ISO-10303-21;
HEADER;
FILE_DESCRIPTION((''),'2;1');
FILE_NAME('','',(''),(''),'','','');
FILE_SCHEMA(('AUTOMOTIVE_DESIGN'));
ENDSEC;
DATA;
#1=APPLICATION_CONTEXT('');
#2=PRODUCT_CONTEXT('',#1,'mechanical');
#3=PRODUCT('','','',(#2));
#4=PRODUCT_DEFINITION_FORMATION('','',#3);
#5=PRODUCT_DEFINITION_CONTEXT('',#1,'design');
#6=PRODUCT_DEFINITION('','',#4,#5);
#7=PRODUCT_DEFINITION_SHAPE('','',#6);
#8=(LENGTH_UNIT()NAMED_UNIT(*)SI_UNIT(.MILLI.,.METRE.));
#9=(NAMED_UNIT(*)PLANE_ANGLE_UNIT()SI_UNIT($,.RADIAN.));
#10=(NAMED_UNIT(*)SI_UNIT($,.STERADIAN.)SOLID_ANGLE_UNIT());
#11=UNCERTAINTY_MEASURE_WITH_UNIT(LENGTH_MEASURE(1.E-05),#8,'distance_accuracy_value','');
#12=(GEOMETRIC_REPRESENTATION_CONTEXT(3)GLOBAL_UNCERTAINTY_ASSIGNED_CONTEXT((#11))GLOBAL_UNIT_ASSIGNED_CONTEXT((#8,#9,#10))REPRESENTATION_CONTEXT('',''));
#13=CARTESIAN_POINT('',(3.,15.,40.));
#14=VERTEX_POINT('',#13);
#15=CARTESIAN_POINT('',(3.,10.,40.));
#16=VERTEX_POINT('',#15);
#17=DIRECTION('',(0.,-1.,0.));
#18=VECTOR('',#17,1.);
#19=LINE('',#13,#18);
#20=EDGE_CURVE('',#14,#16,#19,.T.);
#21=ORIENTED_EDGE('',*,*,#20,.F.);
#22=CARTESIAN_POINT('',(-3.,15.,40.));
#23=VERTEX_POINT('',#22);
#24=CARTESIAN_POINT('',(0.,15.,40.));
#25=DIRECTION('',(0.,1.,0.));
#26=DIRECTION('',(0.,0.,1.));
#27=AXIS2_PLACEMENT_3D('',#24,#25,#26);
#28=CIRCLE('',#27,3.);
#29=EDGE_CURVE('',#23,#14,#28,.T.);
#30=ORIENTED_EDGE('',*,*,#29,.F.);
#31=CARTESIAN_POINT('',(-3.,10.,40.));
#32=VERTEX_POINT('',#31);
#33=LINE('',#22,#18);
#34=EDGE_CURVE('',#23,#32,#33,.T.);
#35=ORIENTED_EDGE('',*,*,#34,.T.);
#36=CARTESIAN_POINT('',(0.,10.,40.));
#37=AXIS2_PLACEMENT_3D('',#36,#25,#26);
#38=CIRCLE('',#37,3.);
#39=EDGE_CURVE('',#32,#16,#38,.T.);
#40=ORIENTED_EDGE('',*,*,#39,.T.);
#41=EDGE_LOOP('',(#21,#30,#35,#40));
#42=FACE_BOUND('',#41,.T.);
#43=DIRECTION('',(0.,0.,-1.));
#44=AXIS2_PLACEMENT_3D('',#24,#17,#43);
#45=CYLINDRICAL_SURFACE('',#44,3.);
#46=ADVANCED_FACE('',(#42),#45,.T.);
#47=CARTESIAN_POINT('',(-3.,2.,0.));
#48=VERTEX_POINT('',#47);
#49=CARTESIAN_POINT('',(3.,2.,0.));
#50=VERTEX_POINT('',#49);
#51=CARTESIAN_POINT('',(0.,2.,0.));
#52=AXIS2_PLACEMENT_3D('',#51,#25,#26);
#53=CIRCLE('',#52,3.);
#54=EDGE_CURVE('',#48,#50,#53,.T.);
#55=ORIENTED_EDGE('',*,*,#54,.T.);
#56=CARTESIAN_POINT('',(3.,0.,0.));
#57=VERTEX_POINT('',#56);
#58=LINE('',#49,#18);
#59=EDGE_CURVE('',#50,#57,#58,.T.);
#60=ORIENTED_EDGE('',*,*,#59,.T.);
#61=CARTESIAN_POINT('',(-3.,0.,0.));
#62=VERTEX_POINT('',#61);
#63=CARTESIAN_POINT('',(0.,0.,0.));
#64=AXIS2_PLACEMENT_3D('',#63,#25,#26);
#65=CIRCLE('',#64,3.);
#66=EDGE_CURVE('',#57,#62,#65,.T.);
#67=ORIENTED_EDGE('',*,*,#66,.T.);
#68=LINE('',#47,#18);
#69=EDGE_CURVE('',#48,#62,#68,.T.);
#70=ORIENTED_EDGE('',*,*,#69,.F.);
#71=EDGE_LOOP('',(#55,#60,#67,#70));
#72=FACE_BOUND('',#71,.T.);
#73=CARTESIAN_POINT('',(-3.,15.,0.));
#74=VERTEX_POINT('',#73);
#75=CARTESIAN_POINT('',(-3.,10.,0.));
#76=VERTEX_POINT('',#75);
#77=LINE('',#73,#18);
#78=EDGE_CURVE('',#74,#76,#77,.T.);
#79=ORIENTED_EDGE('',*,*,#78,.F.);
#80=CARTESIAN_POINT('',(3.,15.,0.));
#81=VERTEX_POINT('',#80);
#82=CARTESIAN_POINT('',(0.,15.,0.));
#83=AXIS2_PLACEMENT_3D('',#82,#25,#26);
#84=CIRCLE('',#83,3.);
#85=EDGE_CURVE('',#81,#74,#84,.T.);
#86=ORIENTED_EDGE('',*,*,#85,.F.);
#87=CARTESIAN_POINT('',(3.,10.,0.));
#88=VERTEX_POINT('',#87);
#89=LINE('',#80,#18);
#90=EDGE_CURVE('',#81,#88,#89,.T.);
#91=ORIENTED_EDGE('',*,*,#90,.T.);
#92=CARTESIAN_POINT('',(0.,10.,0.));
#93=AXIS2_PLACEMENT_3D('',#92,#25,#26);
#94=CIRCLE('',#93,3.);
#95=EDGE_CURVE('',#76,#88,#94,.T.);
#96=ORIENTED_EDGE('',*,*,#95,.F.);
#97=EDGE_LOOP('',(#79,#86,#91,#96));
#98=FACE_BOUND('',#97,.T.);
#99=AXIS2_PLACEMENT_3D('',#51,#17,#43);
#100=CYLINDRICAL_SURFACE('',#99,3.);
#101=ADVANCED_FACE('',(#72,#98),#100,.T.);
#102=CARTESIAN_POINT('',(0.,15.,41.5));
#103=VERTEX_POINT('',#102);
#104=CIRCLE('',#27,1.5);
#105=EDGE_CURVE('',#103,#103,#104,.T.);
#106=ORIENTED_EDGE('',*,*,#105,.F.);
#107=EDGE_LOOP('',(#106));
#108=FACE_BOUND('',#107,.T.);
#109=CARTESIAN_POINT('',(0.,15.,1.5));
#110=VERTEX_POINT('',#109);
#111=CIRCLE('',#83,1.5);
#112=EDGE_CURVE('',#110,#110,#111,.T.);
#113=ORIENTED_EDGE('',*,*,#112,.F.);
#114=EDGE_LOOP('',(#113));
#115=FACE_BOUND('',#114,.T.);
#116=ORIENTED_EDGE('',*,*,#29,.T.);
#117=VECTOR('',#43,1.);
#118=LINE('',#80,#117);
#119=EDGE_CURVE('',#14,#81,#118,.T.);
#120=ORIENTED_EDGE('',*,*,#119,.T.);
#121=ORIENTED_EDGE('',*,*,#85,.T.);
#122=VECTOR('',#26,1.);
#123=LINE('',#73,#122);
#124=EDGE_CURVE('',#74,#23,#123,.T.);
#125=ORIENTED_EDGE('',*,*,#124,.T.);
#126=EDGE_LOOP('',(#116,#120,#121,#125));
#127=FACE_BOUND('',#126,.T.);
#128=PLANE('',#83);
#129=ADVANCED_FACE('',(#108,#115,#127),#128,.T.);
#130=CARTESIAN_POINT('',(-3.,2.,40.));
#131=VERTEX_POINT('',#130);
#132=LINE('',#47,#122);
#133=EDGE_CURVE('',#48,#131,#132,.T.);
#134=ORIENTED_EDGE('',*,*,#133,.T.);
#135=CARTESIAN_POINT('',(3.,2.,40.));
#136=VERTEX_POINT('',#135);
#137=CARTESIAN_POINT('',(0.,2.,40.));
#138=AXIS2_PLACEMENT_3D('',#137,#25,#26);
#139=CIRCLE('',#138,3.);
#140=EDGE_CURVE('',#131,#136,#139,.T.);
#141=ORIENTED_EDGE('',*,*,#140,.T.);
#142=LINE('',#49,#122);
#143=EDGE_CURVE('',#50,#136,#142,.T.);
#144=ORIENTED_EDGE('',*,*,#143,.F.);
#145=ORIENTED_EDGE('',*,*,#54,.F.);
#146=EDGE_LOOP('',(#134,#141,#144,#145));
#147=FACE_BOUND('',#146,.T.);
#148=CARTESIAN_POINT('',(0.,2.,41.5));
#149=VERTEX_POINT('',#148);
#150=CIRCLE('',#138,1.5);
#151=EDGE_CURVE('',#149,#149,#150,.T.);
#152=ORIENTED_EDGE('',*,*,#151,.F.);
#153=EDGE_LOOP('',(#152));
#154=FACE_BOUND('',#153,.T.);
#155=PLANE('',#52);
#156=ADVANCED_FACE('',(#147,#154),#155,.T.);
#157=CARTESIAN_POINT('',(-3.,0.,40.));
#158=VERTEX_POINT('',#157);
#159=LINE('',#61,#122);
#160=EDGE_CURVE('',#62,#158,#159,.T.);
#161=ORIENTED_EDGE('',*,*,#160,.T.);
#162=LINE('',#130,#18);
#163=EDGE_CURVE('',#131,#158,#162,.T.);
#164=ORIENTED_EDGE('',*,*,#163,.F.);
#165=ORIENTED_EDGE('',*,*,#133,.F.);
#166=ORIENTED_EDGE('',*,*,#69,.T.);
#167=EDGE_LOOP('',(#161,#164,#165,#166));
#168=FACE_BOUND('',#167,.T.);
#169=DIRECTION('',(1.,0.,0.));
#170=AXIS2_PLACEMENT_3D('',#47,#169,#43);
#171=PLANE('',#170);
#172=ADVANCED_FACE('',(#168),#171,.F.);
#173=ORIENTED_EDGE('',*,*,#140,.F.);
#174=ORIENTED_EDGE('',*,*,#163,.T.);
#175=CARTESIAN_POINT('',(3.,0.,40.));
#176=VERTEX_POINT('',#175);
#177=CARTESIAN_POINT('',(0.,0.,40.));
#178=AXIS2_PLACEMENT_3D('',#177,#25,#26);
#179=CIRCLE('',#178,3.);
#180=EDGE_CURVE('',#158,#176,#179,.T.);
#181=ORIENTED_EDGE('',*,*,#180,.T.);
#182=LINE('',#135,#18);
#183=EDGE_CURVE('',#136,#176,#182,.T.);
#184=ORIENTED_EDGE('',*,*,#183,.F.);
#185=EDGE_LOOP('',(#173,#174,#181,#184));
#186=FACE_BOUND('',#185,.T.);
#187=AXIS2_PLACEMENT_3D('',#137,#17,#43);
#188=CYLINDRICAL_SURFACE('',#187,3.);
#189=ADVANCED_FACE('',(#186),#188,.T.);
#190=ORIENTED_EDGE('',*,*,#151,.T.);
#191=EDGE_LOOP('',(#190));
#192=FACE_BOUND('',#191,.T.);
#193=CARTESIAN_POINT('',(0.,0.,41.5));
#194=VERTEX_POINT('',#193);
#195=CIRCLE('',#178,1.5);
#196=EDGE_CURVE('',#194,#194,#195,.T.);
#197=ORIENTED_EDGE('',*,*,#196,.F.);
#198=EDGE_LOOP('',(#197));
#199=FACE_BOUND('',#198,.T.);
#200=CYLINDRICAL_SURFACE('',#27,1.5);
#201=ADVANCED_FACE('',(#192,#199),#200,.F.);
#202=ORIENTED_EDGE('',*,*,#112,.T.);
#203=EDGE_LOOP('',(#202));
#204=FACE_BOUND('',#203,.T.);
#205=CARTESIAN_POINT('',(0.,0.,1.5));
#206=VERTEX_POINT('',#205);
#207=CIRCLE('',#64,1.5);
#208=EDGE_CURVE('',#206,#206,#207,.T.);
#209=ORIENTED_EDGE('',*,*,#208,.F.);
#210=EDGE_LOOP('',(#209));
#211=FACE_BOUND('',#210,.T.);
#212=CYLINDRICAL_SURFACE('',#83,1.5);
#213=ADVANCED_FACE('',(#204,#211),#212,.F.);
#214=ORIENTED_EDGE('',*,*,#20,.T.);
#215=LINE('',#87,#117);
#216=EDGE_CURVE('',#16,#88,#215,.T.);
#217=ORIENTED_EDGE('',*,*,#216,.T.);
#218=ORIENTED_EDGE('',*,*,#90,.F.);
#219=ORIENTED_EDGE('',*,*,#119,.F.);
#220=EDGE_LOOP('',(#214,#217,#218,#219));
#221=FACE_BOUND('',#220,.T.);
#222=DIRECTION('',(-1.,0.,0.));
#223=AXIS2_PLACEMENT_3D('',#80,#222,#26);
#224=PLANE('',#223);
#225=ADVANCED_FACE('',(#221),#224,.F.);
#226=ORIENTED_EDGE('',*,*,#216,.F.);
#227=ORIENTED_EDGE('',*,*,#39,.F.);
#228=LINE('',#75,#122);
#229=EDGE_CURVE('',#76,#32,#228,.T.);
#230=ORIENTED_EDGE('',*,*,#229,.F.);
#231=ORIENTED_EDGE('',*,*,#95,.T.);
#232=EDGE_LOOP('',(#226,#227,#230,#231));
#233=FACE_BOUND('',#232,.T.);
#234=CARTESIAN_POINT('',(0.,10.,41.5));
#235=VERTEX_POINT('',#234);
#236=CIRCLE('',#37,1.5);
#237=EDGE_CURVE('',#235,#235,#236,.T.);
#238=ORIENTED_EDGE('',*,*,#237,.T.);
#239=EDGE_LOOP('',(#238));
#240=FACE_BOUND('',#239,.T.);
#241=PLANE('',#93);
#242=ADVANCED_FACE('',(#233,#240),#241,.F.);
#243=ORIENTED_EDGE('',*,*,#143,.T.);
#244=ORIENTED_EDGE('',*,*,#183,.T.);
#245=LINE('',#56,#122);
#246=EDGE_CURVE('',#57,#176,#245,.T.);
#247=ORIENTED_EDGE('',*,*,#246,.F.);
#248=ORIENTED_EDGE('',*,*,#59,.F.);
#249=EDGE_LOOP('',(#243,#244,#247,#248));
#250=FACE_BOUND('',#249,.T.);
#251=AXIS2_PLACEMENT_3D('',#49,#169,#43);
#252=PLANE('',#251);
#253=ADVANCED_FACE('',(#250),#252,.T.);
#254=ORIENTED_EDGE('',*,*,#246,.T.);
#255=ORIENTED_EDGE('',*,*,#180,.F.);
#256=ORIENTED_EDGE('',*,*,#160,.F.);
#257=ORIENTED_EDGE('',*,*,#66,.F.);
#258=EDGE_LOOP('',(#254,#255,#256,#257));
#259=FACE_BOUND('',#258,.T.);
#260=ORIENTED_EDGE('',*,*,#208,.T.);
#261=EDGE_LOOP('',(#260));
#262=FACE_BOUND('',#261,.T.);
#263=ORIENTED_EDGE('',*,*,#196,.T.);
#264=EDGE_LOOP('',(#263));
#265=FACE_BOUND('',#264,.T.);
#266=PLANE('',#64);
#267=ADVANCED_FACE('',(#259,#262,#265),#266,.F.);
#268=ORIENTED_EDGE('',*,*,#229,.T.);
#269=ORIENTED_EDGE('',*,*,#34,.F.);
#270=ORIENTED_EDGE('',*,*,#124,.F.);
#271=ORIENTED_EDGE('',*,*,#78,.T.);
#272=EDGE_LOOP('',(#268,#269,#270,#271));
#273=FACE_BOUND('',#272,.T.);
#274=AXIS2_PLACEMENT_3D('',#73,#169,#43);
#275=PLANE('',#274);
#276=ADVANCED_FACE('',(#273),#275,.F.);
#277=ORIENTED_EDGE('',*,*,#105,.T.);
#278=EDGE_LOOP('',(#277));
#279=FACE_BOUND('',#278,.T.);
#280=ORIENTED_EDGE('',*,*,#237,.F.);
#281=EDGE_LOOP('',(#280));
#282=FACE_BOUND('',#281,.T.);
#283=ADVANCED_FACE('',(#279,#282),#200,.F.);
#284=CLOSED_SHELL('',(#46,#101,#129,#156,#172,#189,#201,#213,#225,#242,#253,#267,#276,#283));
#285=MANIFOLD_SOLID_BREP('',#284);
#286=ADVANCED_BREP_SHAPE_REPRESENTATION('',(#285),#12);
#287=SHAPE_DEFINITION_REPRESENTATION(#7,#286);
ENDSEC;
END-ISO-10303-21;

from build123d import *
from build123d.topology import SkipClean

# Parameters (mm, degrees)
BOSS_EXTRUDE1_DEPTH             = 2
SKETCH2_R                       = 3
BOSS_EXTRUDE2_DEPTH             = 12
BOSS_EXTRUDE3_START             = 10
BOSS_EXTRUDE3_DEPTH             = 5
F_3_0MM_CLEARANCE_DOWEL_HOLE1_D = 3


with BuildPart() as part:
    # Sketch1 → Boss-Extrude1 (new body)
    with BuildSketch(Plane(origin=(0, 0, 0), x_dir=(1, 0, 0), z_dir=(0, 1, 0))):
        with BuildLine():
            Line((3, 0), (3, -40))
            ThreePointArc((3, -40), (0, -43), (-3, -40))
            Line((-3, -40), (-3, 0))
            ThreePointArc((-3, 0), (0, 3), (3, 0))
        make_face()
    extrude(amount=BOSS_EXTRUDE1_DEPTH)

    # Sketch2 → Boss-Extrude2 (add)
    with SkipClean():  # the faces are left unmerged after this step: merging them gives an invalid solid
        with BuildSketch(Plane(origin=(0, 2, 0), x_dir=(1, 0, 0), z_dir=(0, 1, 0))):
            Circle(SKETCH2_R)
        extrude(amount=BOSS_EXTRUDE2_DEPTH)
    add(part.part.scale(1), mode=Mode.REPLACE)  # the faces are merged on a copy

    # Sketch1<3> → Boss-Extrude3 (add)
    with BuildSketch(Plane(origin=(0, 0, 0), x_dir=(1, 0, 0), z_dir=(0, 1, 0)).offset(BOSS_EXTRUDE3_START)):
        with BuildLine():
            Line((3, 0), (3, -40))
            ThreePointArc((3, -40), (0, -43), (-3, -40))
            Line((-3, -40), (-3, 0))
            ThreePointArc((-3, 0), (0, 3), (3, 0))
        make_face()
    extrude(amount=BOSS_EXTRUDE3_DEPTH)

    # Ø3.0mm Clearance Dowel Hole1 (through all)
    with Locations(Plane(origin=(0, 15, 0), x_dir=(1, 0, 0), z_dir=(0, 1, 0))):
        with Locations((0, 0), (0, -40)):
            Hole(F_3_0MM_CLEARANCE_DOWEL_HOLE1_D / 2)


solid = part.part
